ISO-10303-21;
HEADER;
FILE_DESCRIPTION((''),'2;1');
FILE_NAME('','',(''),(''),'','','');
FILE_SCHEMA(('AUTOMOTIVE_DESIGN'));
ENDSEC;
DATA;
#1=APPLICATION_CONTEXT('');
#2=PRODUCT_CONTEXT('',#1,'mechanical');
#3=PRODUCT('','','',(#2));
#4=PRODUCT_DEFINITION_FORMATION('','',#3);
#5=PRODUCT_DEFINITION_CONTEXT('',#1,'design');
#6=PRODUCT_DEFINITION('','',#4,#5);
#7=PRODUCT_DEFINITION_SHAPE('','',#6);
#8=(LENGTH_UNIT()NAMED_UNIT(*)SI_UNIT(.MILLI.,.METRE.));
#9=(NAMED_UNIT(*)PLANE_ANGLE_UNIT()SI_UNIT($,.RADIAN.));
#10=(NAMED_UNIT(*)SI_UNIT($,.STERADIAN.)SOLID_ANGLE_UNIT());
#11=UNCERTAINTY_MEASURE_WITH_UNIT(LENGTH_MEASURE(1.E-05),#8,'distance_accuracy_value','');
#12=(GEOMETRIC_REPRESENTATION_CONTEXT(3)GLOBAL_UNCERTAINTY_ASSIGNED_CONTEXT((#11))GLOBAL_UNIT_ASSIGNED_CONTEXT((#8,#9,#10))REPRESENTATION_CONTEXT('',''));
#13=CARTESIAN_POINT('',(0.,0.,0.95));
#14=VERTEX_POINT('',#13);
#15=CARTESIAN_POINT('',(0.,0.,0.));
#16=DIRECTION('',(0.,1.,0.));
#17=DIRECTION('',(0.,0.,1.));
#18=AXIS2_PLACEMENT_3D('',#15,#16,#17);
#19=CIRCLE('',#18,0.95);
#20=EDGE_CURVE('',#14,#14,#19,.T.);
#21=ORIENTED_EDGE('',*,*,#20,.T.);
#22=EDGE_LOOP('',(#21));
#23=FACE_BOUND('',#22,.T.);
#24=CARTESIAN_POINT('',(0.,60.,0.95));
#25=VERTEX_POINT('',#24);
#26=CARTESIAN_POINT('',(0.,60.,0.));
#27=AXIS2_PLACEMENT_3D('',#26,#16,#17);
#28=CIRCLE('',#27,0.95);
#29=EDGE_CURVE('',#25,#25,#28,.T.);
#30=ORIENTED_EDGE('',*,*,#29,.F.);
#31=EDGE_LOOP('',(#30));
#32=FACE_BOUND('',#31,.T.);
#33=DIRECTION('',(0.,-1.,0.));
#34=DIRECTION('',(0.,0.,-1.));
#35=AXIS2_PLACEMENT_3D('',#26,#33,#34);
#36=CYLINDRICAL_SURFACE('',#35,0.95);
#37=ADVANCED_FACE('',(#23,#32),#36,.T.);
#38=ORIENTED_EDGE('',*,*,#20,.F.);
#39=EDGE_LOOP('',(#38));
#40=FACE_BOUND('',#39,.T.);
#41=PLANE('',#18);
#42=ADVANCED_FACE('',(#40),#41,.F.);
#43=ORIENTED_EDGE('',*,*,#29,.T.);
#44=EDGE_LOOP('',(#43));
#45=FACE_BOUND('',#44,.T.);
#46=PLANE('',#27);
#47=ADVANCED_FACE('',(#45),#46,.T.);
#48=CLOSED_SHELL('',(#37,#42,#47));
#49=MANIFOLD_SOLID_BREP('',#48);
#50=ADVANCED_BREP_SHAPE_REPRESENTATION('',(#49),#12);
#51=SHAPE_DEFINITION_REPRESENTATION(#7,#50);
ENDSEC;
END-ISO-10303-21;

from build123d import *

# Parameters (mm, degrees)
SKETCH1_R           = 0.95
BOSS_EXTRUDE1_DEPTH = 60


with BuildPart() as part:
    # Sketch1 → Boss-Extrude1 (new body)
    with BuildSketch(Plane(origin=(0, 0, 0), x_dir=(1, 0, 0), z_dir=(0, 1, 0))):
        Circle(SKETCH1_R)
    extrude(amount=BOSS_EXTRUDE1_DEPTH)


solid = part.part
